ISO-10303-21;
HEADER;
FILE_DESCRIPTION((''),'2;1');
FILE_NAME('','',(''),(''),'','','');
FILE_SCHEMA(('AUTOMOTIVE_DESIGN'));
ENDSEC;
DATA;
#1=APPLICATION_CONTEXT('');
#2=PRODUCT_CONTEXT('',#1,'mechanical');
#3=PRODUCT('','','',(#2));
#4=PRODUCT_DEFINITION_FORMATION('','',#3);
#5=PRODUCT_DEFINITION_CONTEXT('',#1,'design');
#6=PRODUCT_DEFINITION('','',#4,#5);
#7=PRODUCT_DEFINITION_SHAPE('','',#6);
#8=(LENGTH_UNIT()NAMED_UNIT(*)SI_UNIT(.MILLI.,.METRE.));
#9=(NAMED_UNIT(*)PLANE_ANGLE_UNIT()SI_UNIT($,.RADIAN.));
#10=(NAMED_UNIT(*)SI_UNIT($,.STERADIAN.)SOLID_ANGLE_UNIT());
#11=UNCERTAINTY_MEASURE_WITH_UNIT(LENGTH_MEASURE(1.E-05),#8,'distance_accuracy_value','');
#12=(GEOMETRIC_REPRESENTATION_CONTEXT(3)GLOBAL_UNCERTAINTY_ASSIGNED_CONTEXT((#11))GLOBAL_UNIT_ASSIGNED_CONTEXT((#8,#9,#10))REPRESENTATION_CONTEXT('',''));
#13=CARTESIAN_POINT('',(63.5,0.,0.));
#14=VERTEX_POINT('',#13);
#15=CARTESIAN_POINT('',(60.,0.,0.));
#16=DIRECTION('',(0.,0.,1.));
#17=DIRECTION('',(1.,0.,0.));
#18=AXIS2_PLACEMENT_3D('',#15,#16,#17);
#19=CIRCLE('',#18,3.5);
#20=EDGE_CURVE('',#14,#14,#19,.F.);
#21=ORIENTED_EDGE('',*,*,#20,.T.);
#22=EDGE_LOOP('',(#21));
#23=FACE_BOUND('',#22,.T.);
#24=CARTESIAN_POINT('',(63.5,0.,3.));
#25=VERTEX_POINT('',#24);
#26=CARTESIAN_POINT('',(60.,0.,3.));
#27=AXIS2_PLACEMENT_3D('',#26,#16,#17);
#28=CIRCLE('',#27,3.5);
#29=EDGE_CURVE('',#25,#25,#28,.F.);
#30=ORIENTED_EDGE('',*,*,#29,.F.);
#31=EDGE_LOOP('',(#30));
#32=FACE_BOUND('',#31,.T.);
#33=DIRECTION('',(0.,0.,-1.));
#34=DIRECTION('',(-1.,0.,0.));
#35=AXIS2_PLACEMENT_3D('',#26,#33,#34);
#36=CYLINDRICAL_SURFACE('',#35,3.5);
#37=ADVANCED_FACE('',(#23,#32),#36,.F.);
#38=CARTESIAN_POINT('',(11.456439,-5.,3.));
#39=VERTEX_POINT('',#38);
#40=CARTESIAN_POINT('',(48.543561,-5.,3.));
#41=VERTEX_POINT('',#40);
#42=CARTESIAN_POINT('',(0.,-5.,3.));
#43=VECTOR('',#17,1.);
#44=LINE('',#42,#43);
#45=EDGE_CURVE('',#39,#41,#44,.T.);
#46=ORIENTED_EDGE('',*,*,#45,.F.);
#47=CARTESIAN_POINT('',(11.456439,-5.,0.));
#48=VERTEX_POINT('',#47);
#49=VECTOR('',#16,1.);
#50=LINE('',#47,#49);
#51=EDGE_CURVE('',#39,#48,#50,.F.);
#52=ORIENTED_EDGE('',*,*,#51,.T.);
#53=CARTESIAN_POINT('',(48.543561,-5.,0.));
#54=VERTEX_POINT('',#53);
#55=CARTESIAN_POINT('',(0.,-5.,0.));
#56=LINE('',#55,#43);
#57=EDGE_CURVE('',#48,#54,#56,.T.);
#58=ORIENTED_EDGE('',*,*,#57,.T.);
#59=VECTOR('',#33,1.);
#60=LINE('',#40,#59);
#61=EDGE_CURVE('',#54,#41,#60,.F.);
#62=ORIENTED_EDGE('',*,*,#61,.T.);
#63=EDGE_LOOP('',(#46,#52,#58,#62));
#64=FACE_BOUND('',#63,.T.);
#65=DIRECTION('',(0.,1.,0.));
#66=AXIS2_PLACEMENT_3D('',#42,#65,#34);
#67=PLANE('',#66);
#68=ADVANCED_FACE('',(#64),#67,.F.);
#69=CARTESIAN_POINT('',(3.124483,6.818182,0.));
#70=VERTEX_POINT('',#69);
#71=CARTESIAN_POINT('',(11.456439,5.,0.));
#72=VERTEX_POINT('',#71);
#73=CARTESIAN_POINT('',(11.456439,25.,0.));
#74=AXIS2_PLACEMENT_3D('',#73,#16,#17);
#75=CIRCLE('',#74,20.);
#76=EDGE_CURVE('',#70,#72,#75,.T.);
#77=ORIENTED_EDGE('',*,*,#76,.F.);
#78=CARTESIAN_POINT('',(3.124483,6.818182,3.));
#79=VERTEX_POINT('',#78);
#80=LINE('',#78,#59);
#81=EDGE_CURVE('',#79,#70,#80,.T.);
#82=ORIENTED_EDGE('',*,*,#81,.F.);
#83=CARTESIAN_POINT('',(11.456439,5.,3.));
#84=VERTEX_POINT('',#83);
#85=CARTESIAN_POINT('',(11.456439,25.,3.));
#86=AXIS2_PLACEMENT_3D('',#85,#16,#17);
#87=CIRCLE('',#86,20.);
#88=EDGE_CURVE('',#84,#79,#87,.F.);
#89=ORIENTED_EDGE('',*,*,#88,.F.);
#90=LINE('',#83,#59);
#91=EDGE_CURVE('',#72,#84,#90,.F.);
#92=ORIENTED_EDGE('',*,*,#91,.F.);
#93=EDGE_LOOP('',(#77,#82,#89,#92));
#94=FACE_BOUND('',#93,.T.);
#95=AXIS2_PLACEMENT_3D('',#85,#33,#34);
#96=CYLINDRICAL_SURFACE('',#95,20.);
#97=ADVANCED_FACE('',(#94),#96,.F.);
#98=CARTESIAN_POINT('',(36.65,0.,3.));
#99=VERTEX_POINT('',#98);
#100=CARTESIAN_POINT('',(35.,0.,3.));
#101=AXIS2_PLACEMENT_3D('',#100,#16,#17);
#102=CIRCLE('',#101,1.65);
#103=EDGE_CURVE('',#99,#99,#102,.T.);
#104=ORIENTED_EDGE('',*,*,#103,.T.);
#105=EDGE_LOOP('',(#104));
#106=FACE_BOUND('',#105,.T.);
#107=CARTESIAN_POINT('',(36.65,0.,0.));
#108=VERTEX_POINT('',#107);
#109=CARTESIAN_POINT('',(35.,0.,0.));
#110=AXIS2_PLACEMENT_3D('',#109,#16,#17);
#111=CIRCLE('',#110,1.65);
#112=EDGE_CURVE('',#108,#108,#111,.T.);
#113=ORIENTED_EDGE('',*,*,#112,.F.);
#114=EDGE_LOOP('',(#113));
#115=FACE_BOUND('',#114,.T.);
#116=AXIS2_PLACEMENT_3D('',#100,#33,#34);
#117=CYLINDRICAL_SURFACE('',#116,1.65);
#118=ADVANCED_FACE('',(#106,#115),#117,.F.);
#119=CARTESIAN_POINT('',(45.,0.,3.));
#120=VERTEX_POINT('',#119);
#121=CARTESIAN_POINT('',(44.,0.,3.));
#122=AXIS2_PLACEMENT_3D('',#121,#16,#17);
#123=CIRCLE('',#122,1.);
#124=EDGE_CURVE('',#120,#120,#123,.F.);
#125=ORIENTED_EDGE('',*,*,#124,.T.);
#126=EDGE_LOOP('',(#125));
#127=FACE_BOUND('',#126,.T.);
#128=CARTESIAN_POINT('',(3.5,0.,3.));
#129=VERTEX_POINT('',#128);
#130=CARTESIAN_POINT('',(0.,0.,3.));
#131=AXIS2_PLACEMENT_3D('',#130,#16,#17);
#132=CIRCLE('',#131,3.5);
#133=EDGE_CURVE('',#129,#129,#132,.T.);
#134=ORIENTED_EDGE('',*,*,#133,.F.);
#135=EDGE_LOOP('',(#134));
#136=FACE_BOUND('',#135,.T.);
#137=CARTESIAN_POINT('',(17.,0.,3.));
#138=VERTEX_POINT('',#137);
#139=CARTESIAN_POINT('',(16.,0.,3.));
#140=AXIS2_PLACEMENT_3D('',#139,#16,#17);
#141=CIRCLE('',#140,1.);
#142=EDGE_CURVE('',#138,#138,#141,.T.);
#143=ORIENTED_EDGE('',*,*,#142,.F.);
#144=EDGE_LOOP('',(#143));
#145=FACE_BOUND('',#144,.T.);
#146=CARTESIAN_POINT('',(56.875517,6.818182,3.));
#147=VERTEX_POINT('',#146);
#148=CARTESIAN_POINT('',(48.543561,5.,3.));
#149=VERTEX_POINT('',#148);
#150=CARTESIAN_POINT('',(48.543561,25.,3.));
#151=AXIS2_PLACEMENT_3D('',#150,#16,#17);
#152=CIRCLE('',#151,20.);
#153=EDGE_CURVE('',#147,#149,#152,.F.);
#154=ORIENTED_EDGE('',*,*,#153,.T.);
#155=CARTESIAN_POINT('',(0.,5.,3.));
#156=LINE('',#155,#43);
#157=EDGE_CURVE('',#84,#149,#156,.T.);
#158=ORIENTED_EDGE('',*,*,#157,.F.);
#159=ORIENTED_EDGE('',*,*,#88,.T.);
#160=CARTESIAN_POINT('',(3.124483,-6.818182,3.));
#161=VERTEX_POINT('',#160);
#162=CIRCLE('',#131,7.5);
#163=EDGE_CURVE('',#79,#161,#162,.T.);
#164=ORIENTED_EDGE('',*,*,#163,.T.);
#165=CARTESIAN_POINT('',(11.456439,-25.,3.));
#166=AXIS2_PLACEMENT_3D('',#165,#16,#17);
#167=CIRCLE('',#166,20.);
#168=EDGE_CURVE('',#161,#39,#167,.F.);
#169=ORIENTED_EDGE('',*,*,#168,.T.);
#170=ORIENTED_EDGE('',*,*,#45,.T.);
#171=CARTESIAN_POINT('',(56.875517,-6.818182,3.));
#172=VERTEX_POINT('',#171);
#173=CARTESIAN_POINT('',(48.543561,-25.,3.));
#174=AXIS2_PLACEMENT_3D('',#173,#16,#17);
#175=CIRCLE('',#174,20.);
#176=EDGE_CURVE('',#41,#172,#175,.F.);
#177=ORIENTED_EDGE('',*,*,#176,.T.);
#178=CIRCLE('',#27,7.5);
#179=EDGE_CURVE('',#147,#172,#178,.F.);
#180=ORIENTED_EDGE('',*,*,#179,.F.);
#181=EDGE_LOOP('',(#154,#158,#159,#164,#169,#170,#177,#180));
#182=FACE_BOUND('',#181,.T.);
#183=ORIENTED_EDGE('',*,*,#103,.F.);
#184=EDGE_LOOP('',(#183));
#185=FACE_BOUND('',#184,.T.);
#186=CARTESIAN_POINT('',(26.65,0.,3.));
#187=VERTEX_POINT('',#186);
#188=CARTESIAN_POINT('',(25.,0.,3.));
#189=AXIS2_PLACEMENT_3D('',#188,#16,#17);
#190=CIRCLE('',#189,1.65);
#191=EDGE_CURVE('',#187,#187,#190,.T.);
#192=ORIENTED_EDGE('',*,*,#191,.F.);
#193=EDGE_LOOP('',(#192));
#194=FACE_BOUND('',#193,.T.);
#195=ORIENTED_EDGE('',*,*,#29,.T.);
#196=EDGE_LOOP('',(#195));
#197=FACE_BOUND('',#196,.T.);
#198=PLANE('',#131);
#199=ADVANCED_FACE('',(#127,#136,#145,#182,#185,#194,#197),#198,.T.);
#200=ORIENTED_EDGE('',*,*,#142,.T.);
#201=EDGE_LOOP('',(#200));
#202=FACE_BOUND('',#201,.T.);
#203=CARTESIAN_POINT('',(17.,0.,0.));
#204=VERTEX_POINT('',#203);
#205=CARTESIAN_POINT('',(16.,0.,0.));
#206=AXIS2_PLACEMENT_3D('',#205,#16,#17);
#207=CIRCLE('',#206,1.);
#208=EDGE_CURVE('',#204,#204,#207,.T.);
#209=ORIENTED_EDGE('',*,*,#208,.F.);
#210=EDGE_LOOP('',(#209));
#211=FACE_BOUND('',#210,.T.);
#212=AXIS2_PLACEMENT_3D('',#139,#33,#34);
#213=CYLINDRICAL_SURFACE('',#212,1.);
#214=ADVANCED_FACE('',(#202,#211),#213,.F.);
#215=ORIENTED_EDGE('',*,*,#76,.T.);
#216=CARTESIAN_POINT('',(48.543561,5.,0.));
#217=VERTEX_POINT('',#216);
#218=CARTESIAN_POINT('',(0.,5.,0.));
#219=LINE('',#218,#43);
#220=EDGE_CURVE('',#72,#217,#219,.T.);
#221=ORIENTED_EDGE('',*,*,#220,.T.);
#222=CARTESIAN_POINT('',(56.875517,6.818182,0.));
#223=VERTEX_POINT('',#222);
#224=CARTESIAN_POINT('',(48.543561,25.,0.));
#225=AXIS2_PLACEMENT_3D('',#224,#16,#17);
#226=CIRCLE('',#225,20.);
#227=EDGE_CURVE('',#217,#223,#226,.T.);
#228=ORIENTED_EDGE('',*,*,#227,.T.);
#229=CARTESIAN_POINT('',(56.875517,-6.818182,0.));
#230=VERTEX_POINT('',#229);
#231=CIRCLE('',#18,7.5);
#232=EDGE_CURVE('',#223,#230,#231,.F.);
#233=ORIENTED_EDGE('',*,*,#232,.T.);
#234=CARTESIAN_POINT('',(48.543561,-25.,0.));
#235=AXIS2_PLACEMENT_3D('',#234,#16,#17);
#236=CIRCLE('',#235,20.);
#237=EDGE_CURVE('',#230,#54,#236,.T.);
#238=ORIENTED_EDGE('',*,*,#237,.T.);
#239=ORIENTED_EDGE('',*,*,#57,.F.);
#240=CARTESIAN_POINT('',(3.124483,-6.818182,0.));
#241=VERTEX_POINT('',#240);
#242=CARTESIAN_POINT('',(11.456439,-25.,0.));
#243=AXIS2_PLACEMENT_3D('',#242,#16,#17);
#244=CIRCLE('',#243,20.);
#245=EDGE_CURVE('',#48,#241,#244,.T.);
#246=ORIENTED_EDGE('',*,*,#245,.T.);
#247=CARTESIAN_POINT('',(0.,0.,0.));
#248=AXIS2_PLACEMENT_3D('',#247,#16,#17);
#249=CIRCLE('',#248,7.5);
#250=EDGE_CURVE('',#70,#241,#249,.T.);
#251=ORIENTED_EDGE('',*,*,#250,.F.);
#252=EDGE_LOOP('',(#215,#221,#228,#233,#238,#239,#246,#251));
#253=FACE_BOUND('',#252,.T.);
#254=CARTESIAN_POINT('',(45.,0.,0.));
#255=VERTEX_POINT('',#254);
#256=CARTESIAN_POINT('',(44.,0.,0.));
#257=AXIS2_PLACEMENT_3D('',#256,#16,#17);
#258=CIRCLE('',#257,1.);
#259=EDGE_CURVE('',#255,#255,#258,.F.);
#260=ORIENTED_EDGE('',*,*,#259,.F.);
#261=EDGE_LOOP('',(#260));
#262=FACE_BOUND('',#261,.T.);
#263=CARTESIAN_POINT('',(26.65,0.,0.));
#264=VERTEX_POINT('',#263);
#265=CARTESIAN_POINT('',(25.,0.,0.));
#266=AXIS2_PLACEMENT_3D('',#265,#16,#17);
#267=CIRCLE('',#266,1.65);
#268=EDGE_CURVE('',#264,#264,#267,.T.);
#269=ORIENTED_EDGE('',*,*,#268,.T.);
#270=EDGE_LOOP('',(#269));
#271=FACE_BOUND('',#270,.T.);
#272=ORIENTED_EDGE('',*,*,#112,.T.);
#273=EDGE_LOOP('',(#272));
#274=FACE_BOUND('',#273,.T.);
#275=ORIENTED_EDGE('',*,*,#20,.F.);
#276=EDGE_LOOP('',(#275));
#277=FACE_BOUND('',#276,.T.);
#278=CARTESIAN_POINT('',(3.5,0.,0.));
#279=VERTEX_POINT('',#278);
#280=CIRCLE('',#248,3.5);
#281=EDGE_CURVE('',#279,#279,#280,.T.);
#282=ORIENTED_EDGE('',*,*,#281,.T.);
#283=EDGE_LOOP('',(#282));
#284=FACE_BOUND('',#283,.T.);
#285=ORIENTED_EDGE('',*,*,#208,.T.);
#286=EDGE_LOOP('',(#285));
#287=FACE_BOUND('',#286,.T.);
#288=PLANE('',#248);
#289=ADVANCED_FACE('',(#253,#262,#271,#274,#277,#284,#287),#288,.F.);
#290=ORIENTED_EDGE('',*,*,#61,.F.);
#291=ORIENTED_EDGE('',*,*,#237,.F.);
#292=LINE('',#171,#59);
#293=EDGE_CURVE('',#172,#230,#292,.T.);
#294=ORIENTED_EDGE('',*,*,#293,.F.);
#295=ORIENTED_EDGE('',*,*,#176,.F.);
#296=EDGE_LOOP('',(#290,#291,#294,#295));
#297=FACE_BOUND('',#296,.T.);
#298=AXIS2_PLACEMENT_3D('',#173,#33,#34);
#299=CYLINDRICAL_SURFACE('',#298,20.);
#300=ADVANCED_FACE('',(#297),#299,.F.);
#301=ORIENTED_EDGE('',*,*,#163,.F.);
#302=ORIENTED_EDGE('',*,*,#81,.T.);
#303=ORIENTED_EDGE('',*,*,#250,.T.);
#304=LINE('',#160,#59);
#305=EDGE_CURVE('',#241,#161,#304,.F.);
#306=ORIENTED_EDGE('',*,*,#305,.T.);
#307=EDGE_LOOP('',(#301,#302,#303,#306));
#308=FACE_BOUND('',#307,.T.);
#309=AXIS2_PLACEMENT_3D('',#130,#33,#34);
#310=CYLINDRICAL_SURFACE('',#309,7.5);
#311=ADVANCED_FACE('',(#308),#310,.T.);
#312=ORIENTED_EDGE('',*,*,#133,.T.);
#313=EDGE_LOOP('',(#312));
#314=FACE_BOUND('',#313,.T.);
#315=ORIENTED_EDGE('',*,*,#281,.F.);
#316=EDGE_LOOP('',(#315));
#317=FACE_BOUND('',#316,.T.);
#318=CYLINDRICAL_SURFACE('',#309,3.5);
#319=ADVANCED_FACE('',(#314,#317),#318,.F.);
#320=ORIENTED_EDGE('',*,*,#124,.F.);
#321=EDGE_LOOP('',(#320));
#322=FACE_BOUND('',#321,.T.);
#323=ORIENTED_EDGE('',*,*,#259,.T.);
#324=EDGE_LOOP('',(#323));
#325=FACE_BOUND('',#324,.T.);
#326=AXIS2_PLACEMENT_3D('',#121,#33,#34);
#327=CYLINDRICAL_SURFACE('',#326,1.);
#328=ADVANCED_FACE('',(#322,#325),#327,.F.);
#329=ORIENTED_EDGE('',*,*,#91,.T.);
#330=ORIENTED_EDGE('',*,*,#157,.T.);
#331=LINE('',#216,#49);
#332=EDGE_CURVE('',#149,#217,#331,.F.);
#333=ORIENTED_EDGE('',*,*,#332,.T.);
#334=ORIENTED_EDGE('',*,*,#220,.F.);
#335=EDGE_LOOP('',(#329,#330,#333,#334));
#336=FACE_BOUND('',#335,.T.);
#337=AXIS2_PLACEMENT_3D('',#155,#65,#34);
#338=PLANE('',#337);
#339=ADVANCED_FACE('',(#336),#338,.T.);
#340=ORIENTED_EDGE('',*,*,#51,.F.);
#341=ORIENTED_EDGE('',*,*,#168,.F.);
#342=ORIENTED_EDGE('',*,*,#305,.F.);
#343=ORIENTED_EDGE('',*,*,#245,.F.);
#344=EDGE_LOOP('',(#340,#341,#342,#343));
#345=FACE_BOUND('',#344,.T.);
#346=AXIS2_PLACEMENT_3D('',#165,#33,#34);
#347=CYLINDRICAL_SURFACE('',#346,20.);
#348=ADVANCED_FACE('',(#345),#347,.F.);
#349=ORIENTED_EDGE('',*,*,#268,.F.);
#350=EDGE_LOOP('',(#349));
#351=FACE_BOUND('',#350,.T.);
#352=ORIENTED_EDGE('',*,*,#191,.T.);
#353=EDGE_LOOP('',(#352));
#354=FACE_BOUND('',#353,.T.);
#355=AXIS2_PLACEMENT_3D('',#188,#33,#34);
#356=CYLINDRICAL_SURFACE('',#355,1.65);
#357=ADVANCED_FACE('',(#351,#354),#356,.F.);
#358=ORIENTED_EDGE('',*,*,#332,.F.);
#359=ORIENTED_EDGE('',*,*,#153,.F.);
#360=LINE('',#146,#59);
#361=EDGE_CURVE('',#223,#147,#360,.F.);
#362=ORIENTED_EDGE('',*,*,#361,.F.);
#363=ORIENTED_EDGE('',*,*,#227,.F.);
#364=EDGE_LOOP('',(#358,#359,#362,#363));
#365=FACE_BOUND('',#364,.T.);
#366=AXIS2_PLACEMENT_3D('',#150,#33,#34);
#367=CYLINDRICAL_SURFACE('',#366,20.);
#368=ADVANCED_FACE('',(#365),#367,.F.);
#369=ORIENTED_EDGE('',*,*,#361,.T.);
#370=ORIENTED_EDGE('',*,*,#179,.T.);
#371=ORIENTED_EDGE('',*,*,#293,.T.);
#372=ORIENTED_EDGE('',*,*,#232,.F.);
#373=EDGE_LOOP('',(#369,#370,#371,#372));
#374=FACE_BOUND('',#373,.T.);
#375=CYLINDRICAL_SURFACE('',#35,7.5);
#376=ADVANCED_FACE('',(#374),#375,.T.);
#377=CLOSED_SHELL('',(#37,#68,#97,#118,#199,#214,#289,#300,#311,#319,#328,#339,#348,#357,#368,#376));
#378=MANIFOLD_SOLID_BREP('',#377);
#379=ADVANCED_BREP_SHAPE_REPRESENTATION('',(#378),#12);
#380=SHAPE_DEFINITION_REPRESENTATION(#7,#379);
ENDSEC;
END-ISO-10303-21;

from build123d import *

# Parameters (mm, degrees)
ESBO_O1_R                = 1
ESBO_O1_R_2              = 3.5
ESBO_O1_R_3              = 1.65
RESSALTO_EXTRUS_O1_DEPTH = 3
FILETE1_R                = 20


with BuildPart() as part:
    # Esboço1 → Ressalto-extrusão1 (new body)
    with BuildSketch(Plane.XY):
        with BuildLine():
            Line((5.590169944, -5), (54.409830056, -5))
            ThreePointArc((54.409830056, -5), (67.5, 0), (54.409830056, 5))
            Line((54.409830056, 5), (5.590169944, 5))
            ThreePointArc((5.590169944, 5), (-7.5, 0), (5.590169944, -5))
        make_face()
        with Locations((44, 0)):
            Circle(ESBO_O1_R, mode=Mode.SUBTRACT)
        with Locations((16, 0)):
            Circle(ESBO_O1_R, mode=Mode.SUBTRACT)
        Circle(ESBO_O1_R_2, mode=Mode.SUBTRACT)
        with Locations((60, 0)):
            Circle(ESBO_O1_R_2, mode=Mode.SUBTRACT)
        with Locations((25, 0)):
            Circle(ESBO_O1_R_3, mode=Mode.SUBTRACT)
        with Locations((35, 0)):
            Circle(ESBO_O1_R_3, mode=Mode.SUBTRACT)
    extrude(amount=RESSALTO_EXTRUS_O1_DEPTH)

    # Filete1
    filete1_edges = [part.edges().sort_by_distance(p)[0] for p in [
        (54.409830056, -5, 1.5),
        (5.590169944, -5, 1.5),
        (5.590169944, 5, 1.5),
        (54.409830056, 5, 1.5),
    ]]
    fillet(filete1_edges, radius=FILETE1_R)


solid = part.part
